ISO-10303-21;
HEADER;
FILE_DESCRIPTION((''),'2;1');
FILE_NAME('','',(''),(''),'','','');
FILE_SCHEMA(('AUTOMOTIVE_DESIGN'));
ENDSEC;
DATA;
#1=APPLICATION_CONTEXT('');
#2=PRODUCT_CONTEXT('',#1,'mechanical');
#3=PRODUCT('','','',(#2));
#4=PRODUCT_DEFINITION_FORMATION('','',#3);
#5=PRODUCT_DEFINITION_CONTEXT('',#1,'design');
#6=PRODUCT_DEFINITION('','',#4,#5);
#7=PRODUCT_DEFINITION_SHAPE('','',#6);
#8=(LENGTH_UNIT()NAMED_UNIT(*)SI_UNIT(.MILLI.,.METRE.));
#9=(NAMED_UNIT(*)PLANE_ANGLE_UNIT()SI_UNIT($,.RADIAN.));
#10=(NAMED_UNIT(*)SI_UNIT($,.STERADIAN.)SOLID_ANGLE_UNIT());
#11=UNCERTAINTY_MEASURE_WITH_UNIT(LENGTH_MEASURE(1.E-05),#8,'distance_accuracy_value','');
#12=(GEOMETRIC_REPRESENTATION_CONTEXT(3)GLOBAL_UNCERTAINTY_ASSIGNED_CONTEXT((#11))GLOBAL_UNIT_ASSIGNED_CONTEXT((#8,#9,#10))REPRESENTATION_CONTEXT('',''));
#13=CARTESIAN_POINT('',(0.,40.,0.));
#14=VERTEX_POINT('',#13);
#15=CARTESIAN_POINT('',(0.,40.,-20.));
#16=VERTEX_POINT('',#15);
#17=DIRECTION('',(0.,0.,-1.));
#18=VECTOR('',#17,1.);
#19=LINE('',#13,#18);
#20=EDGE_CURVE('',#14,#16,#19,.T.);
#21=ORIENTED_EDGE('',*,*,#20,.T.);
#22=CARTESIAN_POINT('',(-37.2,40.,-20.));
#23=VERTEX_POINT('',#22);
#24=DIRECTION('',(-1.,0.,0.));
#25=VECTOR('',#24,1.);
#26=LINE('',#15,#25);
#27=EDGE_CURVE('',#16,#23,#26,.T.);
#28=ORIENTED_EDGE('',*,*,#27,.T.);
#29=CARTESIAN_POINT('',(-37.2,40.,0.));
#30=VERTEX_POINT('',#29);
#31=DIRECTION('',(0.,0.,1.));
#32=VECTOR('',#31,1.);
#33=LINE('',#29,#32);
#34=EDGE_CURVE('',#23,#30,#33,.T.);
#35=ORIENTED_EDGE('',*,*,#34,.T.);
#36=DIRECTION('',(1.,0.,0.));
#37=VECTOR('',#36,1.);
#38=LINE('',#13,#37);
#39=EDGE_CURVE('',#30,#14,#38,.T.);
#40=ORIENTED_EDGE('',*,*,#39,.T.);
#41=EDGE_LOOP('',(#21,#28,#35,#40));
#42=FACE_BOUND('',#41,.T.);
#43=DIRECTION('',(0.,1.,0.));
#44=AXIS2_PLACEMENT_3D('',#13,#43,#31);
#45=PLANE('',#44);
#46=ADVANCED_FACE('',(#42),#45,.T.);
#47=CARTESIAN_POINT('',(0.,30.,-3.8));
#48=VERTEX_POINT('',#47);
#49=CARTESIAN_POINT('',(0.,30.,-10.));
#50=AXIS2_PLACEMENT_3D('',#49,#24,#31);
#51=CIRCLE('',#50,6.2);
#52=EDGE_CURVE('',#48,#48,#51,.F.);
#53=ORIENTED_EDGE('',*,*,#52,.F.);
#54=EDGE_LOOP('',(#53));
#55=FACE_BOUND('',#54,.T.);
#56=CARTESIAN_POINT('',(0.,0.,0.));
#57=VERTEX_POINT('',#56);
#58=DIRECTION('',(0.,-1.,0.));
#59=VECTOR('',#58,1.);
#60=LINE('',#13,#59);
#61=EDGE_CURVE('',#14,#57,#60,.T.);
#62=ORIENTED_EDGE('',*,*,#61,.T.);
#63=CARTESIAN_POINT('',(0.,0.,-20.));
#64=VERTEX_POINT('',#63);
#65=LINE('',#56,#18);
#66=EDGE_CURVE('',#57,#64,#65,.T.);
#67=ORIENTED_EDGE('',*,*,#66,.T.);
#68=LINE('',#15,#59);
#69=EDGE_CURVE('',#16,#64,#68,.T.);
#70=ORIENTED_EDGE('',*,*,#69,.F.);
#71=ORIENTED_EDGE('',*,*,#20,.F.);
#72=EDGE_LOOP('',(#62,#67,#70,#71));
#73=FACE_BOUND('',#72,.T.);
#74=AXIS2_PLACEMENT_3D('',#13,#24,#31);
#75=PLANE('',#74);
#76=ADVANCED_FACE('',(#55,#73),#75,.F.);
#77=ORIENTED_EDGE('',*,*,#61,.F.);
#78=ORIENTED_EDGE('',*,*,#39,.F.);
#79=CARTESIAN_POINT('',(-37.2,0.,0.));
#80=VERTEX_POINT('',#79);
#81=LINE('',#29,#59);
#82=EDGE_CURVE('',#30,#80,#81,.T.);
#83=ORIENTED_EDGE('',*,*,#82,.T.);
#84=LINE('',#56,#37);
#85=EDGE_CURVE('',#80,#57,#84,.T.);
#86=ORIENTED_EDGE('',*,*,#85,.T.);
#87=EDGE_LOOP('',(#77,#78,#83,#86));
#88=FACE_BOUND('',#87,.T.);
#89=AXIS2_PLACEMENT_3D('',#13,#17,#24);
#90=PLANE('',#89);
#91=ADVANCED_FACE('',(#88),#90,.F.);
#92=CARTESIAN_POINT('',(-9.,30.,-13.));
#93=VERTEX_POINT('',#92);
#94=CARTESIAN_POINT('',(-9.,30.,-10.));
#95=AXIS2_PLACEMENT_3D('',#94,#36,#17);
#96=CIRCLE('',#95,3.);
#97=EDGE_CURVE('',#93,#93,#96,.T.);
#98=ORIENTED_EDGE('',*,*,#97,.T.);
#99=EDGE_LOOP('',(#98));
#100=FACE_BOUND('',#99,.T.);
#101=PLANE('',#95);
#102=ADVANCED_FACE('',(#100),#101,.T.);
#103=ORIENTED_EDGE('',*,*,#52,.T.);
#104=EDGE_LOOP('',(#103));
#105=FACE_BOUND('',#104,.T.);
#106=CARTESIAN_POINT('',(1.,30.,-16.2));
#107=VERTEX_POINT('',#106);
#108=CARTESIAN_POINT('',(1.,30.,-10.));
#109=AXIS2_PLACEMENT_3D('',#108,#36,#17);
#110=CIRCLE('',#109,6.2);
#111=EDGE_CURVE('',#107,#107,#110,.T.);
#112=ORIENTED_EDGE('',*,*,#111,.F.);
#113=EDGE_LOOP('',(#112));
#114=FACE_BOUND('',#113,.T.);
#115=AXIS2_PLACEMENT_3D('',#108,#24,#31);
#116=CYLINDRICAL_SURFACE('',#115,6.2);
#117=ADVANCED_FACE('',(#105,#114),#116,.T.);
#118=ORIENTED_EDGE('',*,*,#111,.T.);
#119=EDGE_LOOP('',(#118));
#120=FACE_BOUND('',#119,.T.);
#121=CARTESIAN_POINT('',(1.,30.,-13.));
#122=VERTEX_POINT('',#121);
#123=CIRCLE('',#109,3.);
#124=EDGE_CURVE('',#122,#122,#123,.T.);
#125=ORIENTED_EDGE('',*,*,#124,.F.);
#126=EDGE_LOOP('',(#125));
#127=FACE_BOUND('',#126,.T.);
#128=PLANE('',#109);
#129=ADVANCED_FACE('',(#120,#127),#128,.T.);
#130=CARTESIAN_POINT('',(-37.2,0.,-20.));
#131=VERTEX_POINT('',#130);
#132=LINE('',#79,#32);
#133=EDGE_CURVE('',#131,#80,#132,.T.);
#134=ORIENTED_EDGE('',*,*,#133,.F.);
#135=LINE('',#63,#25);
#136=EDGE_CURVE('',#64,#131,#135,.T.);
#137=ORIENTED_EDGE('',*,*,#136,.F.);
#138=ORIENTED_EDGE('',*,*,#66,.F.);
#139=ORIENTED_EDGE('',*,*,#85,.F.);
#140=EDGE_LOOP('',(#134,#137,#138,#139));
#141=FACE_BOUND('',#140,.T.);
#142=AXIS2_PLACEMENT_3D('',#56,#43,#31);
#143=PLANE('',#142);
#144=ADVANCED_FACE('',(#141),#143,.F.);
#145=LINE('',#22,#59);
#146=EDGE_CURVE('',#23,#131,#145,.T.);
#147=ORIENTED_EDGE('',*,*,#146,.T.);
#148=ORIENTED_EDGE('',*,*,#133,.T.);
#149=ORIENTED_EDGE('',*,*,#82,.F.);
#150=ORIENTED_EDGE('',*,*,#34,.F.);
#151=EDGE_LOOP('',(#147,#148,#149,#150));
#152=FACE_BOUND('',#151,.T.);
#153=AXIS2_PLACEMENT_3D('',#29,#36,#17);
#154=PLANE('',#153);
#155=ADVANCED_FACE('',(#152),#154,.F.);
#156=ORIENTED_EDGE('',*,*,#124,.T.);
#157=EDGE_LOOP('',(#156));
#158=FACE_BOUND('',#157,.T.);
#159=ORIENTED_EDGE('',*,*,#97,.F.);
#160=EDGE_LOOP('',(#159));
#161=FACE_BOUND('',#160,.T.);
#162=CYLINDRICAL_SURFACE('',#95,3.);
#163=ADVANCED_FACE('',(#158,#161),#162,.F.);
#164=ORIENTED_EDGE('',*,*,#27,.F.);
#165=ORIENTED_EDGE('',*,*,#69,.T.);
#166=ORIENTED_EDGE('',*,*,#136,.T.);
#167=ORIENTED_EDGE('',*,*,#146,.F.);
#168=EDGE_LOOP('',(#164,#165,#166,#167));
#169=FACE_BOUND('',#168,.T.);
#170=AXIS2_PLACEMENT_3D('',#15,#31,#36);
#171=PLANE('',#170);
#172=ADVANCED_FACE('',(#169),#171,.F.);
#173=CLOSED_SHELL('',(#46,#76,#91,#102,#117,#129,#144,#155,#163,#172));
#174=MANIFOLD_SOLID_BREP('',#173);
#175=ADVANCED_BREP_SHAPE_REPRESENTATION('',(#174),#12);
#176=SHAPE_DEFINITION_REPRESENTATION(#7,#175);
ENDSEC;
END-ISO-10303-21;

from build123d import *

# Parameters (mm, degrees)
SKETCH1_W           = 37.2
SKETCH1_H           = 20
BOSS_EXTRUDE1_DEPTH = 40
SKETCH2_R           = 6.2
BOSS_EXTRUDE2_DEPTH = 1
SKETCH3_R           = 3
CUT_EXTRUDE1_DEPTH  = 10


with BuildPart() as part:
    # Sketch1 → Boss-Extrude1 (new body)
    with BuildSketch(Plane(origin=(0, 0, 0), x_dir=(1, 0, 0), z_dir=(0, 1, 0))):
        with Locations((-18.6, 10)):
            Rectangle(SKETCH1_W, SKETCH1_H)
    extrude(amount=BOSS_EXTRUDE1_DEPTH)

    # Sketch2 → Boss-Extrude2 (add)
    with BuildSketch(Plane(origin=(0, 0, 0), x_dir=(0, 0, -1), z_dir=(1, 0, 0))):
        with Locations(Location((10, 30, 0), (0, 0, 180))):
            Circle(SKETCH2_R)
    extrude(amount=BOSS_EXTRUDE2_DEPTH)

    # Sketch3 → Cut-Extrude1 (cut)
    with BuildSketch(Plane(origin=(1, 0, 0), x_dir=(0, 0, -1), z_dir=(1, 0, 0))):
        with Locations((10, 30)):
            Circle(SKETCH3_R)
    extrude(amount=-CUT_EXTRUDE1_DEPTH, mode=Mode.SUBTRACT)


solid = part.part
